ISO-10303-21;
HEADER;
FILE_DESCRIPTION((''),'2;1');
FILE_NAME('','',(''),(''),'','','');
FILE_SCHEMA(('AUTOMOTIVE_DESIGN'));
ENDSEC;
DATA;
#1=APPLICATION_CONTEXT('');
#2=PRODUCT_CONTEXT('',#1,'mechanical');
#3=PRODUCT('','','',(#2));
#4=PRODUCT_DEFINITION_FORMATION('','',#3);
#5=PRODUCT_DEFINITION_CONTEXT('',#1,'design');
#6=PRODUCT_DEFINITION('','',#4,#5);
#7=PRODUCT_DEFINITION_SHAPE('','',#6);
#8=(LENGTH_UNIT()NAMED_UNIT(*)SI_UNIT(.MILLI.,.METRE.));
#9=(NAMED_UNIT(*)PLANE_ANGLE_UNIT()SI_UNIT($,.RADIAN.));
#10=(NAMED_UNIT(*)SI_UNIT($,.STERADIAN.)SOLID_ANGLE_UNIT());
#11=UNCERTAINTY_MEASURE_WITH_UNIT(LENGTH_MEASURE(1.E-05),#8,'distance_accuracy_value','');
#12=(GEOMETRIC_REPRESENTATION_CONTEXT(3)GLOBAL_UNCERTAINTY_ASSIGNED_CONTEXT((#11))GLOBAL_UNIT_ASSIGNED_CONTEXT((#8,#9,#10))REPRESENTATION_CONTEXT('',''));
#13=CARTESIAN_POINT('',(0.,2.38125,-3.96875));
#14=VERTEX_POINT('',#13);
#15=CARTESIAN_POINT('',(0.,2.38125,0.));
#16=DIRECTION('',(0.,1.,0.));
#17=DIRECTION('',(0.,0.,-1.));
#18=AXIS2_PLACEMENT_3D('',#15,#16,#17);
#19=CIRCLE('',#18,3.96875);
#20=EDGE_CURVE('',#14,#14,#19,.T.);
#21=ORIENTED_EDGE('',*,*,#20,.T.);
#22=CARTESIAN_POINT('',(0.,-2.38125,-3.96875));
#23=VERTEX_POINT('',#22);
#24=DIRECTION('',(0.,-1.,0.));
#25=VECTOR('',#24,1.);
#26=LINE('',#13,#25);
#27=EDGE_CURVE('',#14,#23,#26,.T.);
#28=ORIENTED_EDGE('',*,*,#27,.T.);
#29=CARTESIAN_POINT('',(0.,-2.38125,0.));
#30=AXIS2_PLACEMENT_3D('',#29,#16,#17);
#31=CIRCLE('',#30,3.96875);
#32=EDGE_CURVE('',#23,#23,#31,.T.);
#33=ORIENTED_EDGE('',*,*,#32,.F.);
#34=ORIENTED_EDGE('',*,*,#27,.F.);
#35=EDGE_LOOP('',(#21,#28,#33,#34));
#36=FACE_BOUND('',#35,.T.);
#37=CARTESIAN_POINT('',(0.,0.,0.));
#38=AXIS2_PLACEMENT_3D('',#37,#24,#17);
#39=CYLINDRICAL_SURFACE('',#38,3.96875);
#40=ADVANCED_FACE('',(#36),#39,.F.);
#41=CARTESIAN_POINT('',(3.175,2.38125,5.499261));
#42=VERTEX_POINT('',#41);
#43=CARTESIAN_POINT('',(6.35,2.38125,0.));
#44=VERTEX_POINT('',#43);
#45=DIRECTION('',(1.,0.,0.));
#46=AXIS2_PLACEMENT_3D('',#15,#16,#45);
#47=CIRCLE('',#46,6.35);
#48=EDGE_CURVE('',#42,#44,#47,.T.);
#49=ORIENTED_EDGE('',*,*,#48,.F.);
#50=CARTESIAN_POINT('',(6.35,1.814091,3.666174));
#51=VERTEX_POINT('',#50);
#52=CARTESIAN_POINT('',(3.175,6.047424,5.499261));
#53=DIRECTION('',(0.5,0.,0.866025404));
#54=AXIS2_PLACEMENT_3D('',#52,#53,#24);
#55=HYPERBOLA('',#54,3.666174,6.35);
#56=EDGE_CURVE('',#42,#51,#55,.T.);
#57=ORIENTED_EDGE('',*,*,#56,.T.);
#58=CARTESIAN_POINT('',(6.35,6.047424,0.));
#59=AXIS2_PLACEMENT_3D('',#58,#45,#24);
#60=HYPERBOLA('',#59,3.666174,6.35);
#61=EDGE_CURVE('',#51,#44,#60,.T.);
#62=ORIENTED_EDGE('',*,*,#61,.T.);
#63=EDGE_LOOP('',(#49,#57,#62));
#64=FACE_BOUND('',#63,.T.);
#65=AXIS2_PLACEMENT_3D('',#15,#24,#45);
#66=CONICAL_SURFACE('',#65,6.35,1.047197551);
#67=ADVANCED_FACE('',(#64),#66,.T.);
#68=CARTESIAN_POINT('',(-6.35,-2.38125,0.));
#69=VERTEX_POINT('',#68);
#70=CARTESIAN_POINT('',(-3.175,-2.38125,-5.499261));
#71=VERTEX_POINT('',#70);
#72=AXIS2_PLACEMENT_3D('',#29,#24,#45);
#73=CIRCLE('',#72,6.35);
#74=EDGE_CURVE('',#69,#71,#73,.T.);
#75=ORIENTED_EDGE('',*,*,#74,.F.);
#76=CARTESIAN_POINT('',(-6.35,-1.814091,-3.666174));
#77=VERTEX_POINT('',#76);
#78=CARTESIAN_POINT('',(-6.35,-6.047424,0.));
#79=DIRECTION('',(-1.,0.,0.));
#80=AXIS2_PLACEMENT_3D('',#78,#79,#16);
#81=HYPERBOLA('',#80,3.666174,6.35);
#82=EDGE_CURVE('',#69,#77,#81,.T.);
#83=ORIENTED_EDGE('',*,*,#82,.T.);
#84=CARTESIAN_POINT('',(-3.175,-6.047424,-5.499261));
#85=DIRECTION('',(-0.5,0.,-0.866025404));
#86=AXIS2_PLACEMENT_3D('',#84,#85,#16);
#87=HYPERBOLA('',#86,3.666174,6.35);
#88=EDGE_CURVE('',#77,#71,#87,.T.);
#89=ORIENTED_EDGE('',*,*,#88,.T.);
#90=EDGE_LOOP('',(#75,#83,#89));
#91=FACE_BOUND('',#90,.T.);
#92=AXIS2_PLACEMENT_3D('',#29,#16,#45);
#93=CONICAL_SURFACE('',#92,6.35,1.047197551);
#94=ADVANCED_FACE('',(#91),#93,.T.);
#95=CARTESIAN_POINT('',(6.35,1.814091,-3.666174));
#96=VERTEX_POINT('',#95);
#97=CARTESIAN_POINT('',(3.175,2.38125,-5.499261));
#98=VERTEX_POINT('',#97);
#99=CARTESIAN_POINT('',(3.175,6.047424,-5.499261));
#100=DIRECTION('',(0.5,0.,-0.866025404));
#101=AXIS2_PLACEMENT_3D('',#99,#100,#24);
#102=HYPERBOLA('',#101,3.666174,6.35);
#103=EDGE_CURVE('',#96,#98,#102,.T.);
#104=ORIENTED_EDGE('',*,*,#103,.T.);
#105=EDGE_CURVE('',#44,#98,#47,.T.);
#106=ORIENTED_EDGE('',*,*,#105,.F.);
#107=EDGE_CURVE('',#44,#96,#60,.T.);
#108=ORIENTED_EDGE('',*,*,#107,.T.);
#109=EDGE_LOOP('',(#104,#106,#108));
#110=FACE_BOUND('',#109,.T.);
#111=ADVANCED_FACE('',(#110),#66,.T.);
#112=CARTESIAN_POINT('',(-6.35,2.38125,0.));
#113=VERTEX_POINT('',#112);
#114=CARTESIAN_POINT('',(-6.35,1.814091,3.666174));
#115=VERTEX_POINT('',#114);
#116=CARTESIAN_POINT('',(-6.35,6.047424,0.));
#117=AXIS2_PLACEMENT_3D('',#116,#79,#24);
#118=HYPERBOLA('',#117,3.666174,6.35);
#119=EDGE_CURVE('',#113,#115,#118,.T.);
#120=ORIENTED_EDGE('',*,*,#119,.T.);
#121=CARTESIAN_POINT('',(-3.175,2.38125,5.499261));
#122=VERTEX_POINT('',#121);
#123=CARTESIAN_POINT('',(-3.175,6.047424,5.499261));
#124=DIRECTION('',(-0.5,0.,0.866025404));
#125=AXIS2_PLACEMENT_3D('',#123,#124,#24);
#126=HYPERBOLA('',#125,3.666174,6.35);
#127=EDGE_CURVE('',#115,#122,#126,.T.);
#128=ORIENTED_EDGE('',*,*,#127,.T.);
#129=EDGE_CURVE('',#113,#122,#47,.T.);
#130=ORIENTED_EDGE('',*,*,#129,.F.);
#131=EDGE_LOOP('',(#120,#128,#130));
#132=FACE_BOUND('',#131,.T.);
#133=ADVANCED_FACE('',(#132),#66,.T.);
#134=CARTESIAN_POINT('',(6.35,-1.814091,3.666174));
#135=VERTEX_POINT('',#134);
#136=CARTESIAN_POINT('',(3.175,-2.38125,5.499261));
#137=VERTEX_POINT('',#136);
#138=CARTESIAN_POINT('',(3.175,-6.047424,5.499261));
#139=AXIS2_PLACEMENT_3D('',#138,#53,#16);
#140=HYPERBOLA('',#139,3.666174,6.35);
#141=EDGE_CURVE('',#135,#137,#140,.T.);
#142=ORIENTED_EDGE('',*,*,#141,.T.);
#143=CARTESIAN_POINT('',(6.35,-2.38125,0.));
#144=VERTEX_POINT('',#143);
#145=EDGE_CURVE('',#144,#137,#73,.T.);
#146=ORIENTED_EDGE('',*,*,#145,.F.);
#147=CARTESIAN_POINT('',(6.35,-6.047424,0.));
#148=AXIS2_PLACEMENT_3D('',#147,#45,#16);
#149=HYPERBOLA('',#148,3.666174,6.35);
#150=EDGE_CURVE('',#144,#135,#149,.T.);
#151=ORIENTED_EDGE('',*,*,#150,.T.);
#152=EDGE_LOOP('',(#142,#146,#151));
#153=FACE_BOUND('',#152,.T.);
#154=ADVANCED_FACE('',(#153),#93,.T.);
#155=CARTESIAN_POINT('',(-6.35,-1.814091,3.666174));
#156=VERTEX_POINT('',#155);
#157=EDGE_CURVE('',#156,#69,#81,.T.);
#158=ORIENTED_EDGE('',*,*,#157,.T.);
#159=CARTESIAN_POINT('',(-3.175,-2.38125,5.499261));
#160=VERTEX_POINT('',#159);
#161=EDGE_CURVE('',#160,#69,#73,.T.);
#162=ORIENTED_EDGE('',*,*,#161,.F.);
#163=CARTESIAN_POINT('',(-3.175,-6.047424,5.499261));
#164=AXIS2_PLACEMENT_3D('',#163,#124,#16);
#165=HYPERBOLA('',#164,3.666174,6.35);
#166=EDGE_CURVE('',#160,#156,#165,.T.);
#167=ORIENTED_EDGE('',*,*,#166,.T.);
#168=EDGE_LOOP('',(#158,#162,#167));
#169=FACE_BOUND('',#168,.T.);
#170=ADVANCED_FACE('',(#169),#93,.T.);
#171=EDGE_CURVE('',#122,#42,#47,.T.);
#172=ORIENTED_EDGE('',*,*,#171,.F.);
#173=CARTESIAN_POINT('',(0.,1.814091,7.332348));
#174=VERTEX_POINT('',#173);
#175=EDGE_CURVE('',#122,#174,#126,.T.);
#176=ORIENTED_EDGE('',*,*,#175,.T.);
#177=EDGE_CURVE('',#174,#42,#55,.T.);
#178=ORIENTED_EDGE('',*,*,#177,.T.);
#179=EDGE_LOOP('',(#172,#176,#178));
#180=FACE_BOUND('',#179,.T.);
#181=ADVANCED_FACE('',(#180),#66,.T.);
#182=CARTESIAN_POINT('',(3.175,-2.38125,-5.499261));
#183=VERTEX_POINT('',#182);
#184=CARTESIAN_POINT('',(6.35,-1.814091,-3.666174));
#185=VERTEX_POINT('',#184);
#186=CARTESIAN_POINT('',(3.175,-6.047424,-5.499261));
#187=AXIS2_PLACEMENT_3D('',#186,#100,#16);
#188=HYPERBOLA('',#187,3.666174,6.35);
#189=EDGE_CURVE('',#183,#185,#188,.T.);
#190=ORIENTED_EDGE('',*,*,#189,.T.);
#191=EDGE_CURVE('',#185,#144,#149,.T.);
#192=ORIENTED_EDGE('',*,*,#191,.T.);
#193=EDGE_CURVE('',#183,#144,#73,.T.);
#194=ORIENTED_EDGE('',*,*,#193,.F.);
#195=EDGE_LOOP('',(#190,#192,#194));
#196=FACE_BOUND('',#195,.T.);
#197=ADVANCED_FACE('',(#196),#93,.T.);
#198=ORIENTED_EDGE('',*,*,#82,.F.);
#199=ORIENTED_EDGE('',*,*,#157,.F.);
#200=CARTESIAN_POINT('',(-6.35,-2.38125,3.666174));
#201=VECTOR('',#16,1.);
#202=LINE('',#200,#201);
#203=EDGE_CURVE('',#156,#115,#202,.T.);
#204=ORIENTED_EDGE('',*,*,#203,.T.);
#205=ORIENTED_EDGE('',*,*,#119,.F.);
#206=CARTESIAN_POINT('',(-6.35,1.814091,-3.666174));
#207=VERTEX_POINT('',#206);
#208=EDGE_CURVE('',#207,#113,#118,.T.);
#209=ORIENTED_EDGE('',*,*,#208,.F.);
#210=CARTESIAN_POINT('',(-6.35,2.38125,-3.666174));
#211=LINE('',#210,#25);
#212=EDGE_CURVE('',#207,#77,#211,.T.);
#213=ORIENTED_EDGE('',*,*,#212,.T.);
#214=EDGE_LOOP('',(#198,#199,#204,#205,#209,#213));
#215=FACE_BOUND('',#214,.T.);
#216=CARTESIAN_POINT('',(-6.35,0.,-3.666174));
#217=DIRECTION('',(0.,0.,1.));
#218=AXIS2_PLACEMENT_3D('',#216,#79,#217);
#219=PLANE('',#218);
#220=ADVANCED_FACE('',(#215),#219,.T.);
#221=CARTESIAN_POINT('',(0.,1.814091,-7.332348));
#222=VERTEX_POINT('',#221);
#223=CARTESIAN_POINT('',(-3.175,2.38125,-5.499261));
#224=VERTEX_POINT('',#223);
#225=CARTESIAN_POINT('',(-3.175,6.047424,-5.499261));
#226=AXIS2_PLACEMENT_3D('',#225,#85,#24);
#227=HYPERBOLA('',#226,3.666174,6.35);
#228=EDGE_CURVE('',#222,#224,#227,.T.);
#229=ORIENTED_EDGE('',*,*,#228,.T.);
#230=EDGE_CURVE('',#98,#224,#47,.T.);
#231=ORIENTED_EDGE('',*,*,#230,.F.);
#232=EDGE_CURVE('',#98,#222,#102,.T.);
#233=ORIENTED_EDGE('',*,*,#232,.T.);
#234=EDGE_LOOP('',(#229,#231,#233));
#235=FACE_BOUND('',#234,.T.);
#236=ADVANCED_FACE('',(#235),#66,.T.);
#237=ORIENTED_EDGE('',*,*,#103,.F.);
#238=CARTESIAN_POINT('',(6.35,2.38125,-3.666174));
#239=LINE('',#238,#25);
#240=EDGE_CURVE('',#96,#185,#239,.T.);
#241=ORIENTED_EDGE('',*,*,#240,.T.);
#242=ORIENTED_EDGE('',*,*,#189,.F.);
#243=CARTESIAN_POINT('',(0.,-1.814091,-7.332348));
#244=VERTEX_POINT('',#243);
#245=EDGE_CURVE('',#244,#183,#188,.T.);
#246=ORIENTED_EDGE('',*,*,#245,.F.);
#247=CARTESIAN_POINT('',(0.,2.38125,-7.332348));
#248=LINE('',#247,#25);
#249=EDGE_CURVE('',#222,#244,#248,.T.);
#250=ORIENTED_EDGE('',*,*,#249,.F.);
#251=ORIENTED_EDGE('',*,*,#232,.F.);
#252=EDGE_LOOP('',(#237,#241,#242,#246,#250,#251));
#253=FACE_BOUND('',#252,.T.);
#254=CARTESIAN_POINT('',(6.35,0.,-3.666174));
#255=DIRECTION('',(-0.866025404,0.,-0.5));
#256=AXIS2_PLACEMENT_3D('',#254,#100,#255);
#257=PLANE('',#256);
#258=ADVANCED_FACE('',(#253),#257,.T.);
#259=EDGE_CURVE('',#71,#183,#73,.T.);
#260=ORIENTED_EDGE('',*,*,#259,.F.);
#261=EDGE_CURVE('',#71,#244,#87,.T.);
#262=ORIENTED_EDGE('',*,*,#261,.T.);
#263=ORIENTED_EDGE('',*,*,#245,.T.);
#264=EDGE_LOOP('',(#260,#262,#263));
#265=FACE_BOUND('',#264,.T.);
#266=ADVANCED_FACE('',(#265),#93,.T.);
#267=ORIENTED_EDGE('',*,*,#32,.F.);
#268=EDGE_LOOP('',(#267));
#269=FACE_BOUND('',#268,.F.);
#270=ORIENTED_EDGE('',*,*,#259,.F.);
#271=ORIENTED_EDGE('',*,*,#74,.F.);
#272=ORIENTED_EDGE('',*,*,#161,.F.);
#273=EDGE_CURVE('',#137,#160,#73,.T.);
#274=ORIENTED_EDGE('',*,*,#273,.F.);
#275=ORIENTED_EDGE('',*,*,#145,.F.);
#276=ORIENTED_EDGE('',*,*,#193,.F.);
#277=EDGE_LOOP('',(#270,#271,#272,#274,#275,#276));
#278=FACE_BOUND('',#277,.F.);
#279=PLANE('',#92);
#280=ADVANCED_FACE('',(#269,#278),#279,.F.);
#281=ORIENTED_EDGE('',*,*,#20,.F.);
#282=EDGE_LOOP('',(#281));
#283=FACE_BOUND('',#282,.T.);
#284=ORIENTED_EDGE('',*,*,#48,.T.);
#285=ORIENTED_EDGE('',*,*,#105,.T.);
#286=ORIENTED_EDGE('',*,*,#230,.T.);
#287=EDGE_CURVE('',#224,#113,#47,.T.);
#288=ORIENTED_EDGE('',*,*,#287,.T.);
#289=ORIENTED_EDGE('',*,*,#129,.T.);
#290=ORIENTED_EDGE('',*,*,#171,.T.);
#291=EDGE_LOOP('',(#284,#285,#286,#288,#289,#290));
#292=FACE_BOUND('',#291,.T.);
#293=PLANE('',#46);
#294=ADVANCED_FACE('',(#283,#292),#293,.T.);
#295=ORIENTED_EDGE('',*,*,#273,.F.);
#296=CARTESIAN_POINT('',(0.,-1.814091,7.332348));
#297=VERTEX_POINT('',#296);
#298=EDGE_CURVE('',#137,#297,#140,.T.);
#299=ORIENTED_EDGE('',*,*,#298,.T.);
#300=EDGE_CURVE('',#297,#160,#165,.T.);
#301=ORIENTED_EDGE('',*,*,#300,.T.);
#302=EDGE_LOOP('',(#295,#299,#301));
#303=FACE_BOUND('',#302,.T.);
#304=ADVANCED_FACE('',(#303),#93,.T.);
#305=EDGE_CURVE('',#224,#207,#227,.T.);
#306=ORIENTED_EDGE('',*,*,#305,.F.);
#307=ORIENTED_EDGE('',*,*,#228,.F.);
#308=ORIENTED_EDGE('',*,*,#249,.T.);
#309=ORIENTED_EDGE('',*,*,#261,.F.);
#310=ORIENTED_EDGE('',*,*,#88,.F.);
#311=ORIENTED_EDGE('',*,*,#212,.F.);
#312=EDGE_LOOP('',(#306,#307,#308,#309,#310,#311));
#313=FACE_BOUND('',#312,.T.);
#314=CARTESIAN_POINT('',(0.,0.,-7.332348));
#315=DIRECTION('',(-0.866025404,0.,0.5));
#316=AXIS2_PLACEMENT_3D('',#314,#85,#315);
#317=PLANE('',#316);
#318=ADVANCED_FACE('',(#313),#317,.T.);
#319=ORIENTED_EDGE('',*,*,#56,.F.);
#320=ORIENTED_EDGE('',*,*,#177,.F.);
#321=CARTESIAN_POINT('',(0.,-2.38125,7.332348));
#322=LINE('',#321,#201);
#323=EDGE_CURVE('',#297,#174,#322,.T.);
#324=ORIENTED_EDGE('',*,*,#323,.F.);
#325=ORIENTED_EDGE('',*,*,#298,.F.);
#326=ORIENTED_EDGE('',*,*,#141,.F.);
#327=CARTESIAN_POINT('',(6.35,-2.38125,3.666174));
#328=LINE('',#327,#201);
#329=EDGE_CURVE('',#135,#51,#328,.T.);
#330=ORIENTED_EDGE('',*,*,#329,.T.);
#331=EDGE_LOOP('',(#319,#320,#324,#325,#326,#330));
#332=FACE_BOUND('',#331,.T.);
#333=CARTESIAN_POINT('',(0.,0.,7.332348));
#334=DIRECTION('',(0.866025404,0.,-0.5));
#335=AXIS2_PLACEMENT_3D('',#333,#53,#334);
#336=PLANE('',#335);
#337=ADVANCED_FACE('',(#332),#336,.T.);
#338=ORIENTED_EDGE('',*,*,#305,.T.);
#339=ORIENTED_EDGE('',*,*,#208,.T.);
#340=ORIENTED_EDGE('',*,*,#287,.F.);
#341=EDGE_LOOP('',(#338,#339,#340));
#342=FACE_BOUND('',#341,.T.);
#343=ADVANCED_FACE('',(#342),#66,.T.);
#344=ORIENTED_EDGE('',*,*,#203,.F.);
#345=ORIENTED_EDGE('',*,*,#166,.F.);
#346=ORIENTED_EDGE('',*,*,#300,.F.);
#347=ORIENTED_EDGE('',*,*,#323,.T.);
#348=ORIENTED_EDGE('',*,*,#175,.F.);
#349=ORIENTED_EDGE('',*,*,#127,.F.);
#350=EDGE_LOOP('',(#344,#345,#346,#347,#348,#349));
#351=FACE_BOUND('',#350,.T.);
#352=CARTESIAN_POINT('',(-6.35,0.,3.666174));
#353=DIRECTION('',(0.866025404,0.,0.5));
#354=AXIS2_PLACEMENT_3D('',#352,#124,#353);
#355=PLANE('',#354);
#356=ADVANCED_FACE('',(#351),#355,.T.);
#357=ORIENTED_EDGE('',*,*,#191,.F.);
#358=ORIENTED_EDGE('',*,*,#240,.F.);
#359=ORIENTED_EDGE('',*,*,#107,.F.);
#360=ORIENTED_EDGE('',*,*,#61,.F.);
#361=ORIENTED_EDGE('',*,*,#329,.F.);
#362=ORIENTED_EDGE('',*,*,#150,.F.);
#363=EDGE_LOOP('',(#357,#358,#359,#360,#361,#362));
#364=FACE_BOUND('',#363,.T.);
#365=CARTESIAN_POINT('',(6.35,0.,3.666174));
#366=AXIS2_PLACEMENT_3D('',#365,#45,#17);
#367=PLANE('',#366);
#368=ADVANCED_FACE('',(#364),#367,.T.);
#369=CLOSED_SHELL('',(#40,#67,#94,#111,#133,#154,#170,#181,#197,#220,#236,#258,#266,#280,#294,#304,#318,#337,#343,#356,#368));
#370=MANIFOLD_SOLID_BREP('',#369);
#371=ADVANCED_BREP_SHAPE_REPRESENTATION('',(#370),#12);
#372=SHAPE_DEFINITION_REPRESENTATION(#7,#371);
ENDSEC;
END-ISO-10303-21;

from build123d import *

# Parameters (mm, degrees)
SKETCH1_R               = 3.96875
BOSS_EXTRUDE1_DEPTH     = 2.38125
SKETCH5_OUTSIDE_W       = 59.592
SKETCH5_OUTSIDE_H       = 61.556
SKETCH5_OUTSIDE_R       = 6.35
CUT_EXTRUDE2_DEPTH      = 11.805889116
CUT_EXTRUDE2_DRAFT      = -60
MIRROR1_COPY_1_SKETCH_W = 59.592
MIRROR1_COPY_1_SKETCH_H = 61.556
MIRROR1_COPY_1_SKETCH_R = 6.35
MIRROR1_COPY_1_DEPTH    = 11.805889116
MIRROR1_COPY_1_DRAFT    = -60


with BuildPart() as part:
    # Sketch1 → Boss-Extrude1 (new, symmetric)
    with BuildSketch(Plane(origin=(0, 0, 0), x_dir=(1, 0, 0), z_dir=(0, 1, 0))):
        Polygon((-6.35, 3.666174209), (-6.35, -3.666174209), (0, -7.332348419), (6.35, -3.666174209), (6.35, 3.666174209), (0, 7.332348419), align=None)
        Circle(SKETCH1_R, mode=Mode.SUBTRACT)
    extrude(amount=BOSS_EXTRUDE1_DEPTH, both=True)


with BuildPart() as cut_extrude2_tool:
    # Sketch5 outside → Cut-Extrude2 (with draft: the straight prism first)
    with BuildSketch(Plane(origin=(0, 2.38125, 0), x_dir=(1, 0, 0), z_dir=(0, 1, 0))):
        Rectangle(SKETCH5_OUTSIDE_W, SKETCH5_OUTSIDE_H)
        Circle(SKETCH5_OUTSIDE_R, mode=Mode.SUBTRACT)
    extrude(amount=-CUT_EXTRUDE2_DEPTH)
    # Cut-Extrude2: the draft: its side faces are tilted about the plane it starts from
    cut_extrude2_sides = [cut_extrude2_tool.faces().sort_by_distance(p)[0] for p in [
        (0, -3.521694558, 30.778),
        (29.796, -3.521694558, 0),
        (0, -3.521694558, -30.778),
        (-29.796, -3.521694558, 0),
        (-6.35, -3.521694558, 0),
    ]]
    draft(cut_extrude2_sides, Plane(origin=(0, 2.38125, 0), x_dir=(1, 0, 0), z_dir=(0, 1, 0)), CUT_EXTRUDE2_DRAFT)


with BuildPart() as part_1:
    add(part.part)

    # Cut-Extrude2: cut by cut_extrude2_tool
    add(cut_extrude2_tool.part, mode=Mode.SUBTRACT)


with BuildPart() as mirror1_copy_1_tool:
    # Mirror1 copy 1 sketch → Mirror1 copy 1 (with draft: the straight prism first)
    with BuildSketch(Plane.XZ.offset(2.38125)):
        Rectangle(MIRROR1_COPY_1_SKETCH_W, MIRROR1_COPY_1_SKETCH_H)
        Circle(MIRROR1_COPY_1_SKETCH_R, mode=Mode.SUBTRACT)
    extrude(amount=-MIRROR1_COPY_1_DEPTH)
    # Mirror1 copy 1: the draft: its side faces are tilted about the plane it starts from
    mirror1_copy_1_sides = [mirror1_copy_1_tool.faces().sort_by_distance(p)[0] for p in [
        (0, 3.521694558, 30.778),
        (29.796, 3.521694558, 0),
        (0, 3.521694558, -30.778),
        (-29.796, 3.521694558, 0),
        (-6.35, 3.521694558, 0),
    ]]
    draft(mirror1_copy_1_sides, Plane.XZ.offset(2.38125), MIRROR1_COPY_1_DRAFT)


with BuildPart() as part_2:
    add(part_1.part)

    # Mirror1 copy 1: cut by mirror1_copy_1_tool
    add(mirror1_copy_1_tool.part, mode=Mode.SUBTRACT)


solid = part_2.part
